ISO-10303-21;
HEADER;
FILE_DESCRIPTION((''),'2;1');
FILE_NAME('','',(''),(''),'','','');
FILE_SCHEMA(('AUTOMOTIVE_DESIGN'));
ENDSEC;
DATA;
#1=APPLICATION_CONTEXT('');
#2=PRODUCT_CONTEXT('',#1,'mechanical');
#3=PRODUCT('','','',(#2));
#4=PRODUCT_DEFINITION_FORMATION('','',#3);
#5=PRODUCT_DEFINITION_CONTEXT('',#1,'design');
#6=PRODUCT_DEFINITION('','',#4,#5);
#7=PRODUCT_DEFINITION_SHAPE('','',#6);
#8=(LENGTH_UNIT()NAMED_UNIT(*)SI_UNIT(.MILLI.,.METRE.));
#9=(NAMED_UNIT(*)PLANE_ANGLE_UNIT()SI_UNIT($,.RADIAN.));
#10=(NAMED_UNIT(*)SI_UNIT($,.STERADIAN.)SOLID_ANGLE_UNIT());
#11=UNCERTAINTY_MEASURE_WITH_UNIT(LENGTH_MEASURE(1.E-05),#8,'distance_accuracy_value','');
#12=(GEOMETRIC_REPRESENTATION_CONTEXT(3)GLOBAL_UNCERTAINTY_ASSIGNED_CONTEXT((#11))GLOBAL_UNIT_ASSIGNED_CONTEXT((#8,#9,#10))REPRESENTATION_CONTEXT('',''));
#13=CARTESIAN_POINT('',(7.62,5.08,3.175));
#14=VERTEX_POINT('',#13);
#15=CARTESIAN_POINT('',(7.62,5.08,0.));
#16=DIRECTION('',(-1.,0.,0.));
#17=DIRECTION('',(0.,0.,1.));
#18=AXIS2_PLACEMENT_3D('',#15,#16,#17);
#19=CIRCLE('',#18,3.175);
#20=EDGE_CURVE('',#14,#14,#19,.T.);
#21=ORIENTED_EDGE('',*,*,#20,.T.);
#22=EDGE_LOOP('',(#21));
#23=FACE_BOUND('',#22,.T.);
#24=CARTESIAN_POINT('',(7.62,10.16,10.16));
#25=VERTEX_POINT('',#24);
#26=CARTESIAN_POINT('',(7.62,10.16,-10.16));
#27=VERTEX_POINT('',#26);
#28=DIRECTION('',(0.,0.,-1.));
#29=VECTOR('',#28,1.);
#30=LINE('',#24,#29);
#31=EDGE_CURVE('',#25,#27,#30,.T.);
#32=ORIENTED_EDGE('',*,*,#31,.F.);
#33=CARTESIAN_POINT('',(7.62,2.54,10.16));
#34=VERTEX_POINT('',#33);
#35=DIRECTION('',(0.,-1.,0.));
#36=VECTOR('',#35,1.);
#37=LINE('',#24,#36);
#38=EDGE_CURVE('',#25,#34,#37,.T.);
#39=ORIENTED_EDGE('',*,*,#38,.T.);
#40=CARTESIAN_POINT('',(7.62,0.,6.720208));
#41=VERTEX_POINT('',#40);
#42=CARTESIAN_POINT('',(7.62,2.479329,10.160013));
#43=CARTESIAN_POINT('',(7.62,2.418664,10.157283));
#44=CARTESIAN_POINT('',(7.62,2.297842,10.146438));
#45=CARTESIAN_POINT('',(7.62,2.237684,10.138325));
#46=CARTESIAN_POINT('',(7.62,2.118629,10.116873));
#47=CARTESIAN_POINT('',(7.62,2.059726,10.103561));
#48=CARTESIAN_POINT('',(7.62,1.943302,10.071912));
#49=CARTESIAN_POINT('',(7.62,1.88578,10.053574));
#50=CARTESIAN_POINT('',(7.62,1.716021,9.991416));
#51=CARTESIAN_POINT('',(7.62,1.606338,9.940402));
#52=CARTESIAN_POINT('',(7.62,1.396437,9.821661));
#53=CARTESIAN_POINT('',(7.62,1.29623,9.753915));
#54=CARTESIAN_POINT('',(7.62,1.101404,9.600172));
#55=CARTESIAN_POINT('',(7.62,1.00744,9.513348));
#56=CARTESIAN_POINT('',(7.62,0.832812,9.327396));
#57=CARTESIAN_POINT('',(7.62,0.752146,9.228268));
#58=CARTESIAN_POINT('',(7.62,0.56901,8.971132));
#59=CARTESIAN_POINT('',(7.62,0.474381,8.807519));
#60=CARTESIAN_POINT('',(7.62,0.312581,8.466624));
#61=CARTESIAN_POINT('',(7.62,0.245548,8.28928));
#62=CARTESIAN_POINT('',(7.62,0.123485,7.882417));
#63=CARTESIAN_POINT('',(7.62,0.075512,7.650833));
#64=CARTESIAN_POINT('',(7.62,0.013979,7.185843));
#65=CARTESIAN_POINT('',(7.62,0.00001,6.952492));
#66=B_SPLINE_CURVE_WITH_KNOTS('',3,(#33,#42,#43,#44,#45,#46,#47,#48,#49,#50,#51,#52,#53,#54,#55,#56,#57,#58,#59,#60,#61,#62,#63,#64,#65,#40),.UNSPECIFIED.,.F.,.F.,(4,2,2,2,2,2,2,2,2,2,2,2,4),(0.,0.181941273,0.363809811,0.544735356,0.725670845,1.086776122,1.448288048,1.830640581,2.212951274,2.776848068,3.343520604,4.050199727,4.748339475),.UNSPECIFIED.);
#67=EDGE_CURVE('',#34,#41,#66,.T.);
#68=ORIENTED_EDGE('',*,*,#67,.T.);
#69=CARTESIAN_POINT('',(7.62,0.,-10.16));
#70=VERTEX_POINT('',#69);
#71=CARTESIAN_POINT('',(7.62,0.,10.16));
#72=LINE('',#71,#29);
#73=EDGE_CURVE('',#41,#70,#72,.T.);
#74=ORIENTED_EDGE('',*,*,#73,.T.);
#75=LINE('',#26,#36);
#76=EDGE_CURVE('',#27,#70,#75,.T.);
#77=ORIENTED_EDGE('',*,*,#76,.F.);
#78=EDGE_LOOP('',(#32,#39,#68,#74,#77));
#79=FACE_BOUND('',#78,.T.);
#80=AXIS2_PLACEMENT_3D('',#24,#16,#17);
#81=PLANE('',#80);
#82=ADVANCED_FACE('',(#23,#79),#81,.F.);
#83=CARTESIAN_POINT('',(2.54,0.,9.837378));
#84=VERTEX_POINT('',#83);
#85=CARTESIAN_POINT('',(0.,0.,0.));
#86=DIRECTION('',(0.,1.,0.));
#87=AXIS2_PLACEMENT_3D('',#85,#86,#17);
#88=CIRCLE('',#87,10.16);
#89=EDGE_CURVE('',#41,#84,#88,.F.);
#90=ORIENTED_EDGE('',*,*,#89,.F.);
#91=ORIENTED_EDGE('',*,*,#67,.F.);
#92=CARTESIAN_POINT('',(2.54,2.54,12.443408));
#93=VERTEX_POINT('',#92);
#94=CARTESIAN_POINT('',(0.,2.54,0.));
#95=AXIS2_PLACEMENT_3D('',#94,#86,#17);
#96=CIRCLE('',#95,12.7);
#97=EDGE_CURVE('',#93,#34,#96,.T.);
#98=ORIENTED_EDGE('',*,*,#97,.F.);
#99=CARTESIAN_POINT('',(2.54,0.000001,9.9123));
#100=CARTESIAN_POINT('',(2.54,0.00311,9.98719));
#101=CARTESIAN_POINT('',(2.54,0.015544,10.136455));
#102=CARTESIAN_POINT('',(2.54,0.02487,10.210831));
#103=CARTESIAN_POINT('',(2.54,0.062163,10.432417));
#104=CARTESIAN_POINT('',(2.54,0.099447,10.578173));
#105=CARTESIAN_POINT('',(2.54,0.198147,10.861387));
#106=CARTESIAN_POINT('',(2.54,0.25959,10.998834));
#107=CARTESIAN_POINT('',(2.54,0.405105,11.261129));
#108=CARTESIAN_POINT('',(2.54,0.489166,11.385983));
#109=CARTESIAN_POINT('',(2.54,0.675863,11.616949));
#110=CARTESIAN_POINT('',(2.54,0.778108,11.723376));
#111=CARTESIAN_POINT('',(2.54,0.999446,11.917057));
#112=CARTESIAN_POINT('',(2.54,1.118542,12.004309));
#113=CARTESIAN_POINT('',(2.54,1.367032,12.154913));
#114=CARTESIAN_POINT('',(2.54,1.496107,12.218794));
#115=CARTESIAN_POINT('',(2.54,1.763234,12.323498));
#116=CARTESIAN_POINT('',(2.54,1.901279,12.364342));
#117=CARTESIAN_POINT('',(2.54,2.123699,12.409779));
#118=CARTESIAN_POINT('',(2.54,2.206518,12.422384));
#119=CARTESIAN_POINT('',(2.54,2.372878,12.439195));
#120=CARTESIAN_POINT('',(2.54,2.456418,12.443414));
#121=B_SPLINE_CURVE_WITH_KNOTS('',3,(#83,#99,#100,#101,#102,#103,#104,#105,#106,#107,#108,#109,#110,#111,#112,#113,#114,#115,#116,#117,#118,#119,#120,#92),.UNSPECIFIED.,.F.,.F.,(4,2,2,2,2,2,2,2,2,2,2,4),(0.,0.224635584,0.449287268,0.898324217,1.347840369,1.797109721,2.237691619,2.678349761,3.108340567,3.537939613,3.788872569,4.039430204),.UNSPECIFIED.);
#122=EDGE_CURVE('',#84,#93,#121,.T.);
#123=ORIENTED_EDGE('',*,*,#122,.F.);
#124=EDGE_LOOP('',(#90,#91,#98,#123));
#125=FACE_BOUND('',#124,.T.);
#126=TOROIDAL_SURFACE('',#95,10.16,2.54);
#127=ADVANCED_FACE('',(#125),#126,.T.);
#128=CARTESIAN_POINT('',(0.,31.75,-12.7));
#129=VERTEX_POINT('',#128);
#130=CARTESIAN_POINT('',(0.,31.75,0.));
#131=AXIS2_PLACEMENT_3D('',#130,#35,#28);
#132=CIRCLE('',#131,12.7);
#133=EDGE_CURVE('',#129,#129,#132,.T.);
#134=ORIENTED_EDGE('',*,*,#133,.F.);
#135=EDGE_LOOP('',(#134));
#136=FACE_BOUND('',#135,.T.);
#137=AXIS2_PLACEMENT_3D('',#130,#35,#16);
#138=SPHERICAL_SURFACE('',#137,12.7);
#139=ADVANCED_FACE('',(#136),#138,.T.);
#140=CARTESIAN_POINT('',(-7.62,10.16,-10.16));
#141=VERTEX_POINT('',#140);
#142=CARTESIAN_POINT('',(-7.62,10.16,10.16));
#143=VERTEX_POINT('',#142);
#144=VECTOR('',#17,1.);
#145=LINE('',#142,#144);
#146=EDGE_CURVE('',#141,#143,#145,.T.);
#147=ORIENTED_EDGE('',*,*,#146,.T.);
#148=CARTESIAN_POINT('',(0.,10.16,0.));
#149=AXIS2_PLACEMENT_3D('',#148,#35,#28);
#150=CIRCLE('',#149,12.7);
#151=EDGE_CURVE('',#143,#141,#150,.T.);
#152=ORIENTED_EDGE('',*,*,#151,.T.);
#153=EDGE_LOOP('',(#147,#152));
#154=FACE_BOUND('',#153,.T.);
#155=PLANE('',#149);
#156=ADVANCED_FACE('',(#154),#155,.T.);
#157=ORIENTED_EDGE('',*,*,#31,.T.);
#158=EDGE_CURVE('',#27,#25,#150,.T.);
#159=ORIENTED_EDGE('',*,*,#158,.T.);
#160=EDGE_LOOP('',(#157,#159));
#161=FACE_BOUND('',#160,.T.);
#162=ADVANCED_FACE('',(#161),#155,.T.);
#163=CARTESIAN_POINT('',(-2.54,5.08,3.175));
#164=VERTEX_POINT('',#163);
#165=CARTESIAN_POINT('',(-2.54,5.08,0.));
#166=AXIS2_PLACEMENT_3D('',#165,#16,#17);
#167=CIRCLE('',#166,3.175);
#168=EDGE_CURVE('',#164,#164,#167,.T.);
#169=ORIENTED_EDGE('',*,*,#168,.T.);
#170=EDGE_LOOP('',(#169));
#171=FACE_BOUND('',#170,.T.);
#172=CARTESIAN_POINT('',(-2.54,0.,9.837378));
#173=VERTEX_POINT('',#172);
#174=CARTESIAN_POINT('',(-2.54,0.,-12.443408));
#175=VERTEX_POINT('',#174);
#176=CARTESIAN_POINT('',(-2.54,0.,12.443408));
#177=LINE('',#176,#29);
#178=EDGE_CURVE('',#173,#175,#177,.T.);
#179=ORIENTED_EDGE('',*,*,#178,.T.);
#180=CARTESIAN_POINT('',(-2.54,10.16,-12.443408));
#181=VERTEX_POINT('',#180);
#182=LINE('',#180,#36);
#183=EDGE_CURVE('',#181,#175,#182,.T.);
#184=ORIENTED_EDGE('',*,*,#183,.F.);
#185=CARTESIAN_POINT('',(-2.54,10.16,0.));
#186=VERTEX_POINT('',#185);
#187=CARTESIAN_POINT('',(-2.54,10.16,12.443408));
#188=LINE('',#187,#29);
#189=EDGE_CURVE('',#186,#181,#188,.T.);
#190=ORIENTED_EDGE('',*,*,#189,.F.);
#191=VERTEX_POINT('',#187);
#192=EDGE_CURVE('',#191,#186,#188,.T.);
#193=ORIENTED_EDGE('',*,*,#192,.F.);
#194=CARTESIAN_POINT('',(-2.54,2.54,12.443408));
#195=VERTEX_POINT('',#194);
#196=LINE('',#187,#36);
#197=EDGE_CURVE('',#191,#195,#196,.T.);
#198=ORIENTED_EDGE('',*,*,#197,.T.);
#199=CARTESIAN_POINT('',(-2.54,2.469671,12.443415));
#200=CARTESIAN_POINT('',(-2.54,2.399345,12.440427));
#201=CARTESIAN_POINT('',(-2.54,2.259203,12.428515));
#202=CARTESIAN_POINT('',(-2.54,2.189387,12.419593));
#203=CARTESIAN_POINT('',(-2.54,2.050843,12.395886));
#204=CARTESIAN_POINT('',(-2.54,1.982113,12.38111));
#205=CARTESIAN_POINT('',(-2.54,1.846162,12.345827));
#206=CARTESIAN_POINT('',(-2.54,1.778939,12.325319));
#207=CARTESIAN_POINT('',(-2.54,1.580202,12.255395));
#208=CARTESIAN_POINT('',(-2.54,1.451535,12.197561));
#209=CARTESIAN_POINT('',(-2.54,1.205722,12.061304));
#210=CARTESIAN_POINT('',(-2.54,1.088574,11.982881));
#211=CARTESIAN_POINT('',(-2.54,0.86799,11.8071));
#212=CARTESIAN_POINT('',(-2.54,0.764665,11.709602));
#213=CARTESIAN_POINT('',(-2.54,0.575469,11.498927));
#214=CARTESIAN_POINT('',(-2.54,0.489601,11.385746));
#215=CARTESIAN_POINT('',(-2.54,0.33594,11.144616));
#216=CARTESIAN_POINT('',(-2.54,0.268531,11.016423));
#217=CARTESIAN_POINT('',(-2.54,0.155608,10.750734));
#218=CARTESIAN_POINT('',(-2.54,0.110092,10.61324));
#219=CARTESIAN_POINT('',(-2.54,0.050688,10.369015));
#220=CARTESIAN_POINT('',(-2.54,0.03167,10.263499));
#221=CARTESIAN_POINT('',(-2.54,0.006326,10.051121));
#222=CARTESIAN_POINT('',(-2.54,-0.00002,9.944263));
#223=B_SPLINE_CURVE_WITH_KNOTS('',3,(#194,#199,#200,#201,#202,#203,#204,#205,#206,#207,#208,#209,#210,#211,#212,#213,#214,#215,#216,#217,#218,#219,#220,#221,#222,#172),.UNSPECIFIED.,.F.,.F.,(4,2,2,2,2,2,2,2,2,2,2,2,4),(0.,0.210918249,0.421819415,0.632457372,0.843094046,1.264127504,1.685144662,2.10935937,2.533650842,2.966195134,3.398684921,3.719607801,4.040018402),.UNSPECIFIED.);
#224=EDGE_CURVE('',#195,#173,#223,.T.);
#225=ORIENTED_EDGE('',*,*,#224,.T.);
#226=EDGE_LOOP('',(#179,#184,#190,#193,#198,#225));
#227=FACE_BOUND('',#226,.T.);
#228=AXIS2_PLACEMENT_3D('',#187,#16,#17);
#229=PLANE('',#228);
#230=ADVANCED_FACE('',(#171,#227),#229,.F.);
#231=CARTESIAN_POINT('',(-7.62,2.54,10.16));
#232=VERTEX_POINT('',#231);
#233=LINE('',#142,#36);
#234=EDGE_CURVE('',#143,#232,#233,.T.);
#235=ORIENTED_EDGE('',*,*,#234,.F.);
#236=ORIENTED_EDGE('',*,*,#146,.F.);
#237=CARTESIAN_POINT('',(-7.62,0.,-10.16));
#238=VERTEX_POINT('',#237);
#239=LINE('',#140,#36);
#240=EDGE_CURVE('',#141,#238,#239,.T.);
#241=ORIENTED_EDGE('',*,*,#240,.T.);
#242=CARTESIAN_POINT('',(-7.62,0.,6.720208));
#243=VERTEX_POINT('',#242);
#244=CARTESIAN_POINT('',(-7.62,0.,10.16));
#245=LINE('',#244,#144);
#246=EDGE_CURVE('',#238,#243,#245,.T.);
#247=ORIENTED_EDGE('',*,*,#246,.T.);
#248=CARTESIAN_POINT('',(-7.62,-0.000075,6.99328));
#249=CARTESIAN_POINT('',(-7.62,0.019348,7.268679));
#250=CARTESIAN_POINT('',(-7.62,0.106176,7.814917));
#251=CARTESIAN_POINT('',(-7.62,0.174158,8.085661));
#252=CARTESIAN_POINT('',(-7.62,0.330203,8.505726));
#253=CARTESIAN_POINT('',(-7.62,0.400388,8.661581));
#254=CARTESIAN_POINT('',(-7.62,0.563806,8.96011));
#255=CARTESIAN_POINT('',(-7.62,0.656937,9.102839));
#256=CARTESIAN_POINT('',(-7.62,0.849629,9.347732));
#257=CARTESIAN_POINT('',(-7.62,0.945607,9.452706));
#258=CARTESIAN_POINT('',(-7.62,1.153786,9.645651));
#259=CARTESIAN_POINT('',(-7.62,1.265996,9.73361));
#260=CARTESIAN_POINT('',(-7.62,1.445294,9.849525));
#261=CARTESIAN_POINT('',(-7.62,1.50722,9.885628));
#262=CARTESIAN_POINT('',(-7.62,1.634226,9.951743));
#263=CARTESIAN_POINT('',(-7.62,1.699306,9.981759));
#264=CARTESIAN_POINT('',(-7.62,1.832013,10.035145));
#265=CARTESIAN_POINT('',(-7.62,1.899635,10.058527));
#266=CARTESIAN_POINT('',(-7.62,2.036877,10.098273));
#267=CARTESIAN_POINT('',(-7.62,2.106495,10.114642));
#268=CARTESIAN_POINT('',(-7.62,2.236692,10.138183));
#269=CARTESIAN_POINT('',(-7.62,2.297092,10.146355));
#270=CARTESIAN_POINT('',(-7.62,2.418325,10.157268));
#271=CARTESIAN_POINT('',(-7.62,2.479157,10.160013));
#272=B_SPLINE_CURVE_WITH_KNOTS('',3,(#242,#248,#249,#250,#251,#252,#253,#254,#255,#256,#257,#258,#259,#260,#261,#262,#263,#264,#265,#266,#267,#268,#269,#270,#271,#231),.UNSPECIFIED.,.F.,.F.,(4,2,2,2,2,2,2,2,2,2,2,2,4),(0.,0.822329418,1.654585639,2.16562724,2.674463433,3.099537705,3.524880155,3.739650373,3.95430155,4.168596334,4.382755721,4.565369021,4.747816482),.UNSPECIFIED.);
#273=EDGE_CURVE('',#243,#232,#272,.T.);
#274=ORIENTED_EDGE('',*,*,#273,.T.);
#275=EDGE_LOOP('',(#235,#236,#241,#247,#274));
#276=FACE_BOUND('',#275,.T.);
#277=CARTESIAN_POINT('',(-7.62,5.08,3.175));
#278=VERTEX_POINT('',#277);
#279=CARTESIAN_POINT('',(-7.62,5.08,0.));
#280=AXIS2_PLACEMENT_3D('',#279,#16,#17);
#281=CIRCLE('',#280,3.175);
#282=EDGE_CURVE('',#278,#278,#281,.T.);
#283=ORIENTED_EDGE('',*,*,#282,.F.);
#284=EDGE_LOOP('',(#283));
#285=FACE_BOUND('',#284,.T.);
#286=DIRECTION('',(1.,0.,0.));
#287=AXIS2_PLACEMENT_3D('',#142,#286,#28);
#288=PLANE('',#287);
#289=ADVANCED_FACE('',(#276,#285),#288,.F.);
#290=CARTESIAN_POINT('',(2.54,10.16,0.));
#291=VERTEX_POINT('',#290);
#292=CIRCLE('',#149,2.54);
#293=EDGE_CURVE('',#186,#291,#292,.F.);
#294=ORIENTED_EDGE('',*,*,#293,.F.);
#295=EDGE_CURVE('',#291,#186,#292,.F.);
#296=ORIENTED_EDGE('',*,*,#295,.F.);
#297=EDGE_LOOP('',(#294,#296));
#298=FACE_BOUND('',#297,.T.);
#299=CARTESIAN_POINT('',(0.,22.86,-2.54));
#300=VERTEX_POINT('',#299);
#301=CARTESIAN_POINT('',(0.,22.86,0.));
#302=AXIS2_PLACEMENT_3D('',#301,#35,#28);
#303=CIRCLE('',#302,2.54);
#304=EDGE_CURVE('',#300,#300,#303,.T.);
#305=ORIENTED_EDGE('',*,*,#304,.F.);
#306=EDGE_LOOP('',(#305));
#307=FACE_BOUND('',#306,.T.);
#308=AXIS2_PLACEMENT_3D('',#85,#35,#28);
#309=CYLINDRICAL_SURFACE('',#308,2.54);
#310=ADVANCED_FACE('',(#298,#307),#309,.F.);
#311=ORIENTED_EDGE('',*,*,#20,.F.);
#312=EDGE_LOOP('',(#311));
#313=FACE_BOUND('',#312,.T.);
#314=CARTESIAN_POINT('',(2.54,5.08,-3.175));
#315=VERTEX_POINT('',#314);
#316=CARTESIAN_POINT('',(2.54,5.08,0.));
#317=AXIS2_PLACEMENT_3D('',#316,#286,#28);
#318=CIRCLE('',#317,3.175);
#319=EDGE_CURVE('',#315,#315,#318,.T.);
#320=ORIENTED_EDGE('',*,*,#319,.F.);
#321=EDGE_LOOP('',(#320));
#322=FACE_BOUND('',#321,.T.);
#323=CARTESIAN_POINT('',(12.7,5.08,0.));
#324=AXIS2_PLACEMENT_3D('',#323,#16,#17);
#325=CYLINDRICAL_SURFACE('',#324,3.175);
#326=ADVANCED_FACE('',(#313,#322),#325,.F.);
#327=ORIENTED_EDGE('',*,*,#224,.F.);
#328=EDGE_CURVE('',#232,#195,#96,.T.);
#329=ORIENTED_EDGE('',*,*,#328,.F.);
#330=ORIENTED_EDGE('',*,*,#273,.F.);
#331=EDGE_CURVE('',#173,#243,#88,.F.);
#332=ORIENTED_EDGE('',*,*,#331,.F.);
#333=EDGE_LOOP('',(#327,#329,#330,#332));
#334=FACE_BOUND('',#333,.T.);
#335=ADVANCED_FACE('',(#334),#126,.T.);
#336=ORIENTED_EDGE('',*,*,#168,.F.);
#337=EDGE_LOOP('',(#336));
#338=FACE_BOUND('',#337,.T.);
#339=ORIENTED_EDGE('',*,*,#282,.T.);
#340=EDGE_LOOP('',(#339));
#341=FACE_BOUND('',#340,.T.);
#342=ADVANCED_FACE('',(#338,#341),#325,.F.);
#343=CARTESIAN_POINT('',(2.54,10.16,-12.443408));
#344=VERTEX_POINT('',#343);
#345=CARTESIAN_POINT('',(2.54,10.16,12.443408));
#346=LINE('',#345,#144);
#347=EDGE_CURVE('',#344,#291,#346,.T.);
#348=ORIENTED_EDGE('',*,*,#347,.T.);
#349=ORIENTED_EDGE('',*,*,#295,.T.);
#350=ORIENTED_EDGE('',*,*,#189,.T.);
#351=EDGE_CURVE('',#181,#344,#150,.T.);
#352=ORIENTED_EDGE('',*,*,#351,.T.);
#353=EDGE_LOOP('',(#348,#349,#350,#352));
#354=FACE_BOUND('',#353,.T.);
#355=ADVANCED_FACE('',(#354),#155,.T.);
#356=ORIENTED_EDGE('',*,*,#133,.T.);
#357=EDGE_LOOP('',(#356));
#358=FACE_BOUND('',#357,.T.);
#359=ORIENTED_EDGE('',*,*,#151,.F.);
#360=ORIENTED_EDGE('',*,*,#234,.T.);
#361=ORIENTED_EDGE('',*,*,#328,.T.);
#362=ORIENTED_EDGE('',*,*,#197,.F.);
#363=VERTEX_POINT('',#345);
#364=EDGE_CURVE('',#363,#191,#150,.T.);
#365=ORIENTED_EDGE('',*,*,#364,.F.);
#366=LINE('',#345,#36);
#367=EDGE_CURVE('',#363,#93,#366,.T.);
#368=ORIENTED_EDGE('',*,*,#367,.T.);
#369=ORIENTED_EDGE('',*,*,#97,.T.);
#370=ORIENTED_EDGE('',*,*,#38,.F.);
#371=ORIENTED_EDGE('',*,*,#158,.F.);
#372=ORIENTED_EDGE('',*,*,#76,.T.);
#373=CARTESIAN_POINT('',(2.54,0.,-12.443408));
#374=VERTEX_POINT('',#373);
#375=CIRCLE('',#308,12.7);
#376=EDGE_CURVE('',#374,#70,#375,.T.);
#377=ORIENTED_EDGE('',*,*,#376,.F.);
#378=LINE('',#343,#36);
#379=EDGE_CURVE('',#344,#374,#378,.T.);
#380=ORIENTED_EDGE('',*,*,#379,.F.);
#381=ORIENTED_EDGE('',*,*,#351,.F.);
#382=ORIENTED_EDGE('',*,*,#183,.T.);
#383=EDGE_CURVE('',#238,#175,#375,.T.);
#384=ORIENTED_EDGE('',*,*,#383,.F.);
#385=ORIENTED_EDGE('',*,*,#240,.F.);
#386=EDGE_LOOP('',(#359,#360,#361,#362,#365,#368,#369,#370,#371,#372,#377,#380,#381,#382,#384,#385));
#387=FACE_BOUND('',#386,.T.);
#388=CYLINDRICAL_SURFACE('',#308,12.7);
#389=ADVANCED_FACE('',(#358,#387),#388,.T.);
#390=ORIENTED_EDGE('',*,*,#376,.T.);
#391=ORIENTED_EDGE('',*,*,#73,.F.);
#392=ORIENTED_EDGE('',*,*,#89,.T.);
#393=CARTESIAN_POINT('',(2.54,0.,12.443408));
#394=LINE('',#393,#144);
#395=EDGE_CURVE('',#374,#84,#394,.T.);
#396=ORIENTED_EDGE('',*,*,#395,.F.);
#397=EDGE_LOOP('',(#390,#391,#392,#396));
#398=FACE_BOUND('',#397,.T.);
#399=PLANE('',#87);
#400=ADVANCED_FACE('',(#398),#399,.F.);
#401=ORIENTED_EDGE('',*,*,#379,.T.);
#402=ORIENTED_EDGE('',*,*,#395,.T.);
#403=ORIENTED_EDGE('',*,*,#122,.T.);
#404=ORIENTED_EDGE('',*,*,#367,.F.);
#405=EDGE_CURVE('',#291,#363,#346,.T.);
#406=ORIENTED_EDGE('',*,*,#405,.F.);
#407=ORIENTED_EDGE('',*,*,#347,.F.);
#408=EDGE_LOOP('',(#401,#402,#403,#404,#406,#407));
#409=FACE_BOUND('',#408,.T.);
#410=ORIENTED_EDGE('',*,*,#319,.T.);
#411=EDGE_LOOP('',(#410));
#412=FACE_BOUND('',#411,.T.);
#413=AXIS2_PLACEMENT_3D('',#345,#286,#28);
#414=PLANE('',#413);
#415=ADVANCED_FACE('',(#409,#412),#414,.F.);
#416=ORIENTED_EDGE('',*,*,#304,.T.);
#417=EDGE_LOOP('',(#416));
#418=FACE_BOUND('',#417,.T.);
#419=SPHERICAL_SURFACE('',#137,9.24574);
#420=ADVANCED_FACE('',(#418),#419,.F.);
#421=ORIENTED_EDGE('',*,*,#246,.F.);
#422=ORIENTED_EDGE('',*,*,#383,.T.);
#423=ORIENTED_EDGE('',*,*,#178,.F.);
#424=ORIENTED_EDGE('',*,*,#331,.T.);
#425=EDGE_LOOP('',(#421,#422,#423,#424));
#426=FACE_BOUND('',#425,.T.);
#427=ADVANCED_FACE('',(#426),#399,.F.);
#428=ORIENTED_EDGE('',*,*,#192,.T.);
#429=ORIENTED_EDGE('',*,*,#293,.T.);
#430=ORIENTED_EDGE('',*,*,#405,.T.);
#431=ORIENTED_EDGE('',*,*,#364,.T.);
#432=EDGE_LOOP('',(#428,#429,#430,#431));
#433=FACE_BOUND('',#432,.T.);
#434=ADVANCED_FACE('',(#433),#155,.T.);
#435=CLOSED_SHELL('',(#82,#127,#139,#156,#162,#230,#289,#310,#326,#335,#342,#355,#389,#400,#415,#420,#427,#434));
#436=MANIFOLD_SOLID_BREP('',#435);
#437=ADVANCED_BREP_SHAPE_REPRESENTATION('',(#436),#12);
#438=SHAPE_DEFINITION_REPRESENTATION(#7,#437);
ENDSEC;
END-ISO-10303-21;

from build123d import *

# Parameters (mm, degrees)
CUT_EXTRUDE1_DEPTH = 10.16
SKETCH3_R          = 3.175
CUT_EXTRUDE2_DEPTH = 51.497474194
FILLET1_R          = 2.54


with BuildPart() as part:
    # Sketch1 → Revolve1 (revolve)
    with BuildSketch(Plane.XY):
        with BuildLine():
            Line((0, 0), (0, 5.602635041))
            Line((0, 5.602635041), (-2.54, 5.602635041))
            Line((-2.54, 5.602635041), (-2.54, 22.86))
            ThreePointArc((-2.54, 22.86), (-9.156372772, 33.032395282), (0, 40.995739559))
            Line((0, 40.995739559), (0, 44.45))
            ThreePointArc((0, 44.45), (-8.980256121, 40.730256121), (-12.7, 31.75))
            Line((-12.7, 31.75), (-12.7, 0))
            Line((-12.7, 0), (0, 0))
        make_face()
    revolve(axis=Axis((0, 0, 0), (0, 1, 0)))

    # Sketch2 → Cut-Extrude1 (cut)
    with BuildSketch(Plane.XZ):
        with BuildLine():
            Line((-2.54, 12.443407893), (-2.54, -12.443407893))
            ThreePointArc((-2.54, -12.443407893), (0, -12.7), (2.54, -12.443407893))
            Line((2.54, -12.443407893), (2.54, 12.443407893))
            ThreePointArc((2.54, 12.443407893), (0, 12.7), (-2.54, 12.443407893))
        make_face()
        with BuildLine():
            Line((-7.62, 10.16), (-7.62, -10.16))
            ThreePointArc((-7.62, -10.16), (-12.7, 0), (-7.62, 10.16))
        make_face()
        with BuildLine():
            Line((7.62, 10.16), (7.62, -10.16))
            ThreePointArc((7.62, -10.16), (12.7, 0), (7.62, 10.16))
        make_face()
    extrude(amount=-CUT_EXTRUDE1_DEPTH, mode=Mode.SUBTRACT)

    # Sketch3 → Cut-Extrude2 (cut, through all)
    with BuildSketch(Plane.ZY.offset(7.62)):
        with Locations((0, 5.08)):
            Circle(SKETCH3_R)
    extrude(amount=-CUT_EXTRUDE2_DEPTH, mode=Mode.SUBTRACT)

    # Fillet1
    fillet1_edges = [part.edges().sort_by_distance(p)[0] for p in [
        (5.206715654, 0, 11.583613948),
        (-5.206715654, 0, 11.583613948),
    ]]
    fillet(fillet1_edges, radius=FILLET1_R)


solid = part.part
